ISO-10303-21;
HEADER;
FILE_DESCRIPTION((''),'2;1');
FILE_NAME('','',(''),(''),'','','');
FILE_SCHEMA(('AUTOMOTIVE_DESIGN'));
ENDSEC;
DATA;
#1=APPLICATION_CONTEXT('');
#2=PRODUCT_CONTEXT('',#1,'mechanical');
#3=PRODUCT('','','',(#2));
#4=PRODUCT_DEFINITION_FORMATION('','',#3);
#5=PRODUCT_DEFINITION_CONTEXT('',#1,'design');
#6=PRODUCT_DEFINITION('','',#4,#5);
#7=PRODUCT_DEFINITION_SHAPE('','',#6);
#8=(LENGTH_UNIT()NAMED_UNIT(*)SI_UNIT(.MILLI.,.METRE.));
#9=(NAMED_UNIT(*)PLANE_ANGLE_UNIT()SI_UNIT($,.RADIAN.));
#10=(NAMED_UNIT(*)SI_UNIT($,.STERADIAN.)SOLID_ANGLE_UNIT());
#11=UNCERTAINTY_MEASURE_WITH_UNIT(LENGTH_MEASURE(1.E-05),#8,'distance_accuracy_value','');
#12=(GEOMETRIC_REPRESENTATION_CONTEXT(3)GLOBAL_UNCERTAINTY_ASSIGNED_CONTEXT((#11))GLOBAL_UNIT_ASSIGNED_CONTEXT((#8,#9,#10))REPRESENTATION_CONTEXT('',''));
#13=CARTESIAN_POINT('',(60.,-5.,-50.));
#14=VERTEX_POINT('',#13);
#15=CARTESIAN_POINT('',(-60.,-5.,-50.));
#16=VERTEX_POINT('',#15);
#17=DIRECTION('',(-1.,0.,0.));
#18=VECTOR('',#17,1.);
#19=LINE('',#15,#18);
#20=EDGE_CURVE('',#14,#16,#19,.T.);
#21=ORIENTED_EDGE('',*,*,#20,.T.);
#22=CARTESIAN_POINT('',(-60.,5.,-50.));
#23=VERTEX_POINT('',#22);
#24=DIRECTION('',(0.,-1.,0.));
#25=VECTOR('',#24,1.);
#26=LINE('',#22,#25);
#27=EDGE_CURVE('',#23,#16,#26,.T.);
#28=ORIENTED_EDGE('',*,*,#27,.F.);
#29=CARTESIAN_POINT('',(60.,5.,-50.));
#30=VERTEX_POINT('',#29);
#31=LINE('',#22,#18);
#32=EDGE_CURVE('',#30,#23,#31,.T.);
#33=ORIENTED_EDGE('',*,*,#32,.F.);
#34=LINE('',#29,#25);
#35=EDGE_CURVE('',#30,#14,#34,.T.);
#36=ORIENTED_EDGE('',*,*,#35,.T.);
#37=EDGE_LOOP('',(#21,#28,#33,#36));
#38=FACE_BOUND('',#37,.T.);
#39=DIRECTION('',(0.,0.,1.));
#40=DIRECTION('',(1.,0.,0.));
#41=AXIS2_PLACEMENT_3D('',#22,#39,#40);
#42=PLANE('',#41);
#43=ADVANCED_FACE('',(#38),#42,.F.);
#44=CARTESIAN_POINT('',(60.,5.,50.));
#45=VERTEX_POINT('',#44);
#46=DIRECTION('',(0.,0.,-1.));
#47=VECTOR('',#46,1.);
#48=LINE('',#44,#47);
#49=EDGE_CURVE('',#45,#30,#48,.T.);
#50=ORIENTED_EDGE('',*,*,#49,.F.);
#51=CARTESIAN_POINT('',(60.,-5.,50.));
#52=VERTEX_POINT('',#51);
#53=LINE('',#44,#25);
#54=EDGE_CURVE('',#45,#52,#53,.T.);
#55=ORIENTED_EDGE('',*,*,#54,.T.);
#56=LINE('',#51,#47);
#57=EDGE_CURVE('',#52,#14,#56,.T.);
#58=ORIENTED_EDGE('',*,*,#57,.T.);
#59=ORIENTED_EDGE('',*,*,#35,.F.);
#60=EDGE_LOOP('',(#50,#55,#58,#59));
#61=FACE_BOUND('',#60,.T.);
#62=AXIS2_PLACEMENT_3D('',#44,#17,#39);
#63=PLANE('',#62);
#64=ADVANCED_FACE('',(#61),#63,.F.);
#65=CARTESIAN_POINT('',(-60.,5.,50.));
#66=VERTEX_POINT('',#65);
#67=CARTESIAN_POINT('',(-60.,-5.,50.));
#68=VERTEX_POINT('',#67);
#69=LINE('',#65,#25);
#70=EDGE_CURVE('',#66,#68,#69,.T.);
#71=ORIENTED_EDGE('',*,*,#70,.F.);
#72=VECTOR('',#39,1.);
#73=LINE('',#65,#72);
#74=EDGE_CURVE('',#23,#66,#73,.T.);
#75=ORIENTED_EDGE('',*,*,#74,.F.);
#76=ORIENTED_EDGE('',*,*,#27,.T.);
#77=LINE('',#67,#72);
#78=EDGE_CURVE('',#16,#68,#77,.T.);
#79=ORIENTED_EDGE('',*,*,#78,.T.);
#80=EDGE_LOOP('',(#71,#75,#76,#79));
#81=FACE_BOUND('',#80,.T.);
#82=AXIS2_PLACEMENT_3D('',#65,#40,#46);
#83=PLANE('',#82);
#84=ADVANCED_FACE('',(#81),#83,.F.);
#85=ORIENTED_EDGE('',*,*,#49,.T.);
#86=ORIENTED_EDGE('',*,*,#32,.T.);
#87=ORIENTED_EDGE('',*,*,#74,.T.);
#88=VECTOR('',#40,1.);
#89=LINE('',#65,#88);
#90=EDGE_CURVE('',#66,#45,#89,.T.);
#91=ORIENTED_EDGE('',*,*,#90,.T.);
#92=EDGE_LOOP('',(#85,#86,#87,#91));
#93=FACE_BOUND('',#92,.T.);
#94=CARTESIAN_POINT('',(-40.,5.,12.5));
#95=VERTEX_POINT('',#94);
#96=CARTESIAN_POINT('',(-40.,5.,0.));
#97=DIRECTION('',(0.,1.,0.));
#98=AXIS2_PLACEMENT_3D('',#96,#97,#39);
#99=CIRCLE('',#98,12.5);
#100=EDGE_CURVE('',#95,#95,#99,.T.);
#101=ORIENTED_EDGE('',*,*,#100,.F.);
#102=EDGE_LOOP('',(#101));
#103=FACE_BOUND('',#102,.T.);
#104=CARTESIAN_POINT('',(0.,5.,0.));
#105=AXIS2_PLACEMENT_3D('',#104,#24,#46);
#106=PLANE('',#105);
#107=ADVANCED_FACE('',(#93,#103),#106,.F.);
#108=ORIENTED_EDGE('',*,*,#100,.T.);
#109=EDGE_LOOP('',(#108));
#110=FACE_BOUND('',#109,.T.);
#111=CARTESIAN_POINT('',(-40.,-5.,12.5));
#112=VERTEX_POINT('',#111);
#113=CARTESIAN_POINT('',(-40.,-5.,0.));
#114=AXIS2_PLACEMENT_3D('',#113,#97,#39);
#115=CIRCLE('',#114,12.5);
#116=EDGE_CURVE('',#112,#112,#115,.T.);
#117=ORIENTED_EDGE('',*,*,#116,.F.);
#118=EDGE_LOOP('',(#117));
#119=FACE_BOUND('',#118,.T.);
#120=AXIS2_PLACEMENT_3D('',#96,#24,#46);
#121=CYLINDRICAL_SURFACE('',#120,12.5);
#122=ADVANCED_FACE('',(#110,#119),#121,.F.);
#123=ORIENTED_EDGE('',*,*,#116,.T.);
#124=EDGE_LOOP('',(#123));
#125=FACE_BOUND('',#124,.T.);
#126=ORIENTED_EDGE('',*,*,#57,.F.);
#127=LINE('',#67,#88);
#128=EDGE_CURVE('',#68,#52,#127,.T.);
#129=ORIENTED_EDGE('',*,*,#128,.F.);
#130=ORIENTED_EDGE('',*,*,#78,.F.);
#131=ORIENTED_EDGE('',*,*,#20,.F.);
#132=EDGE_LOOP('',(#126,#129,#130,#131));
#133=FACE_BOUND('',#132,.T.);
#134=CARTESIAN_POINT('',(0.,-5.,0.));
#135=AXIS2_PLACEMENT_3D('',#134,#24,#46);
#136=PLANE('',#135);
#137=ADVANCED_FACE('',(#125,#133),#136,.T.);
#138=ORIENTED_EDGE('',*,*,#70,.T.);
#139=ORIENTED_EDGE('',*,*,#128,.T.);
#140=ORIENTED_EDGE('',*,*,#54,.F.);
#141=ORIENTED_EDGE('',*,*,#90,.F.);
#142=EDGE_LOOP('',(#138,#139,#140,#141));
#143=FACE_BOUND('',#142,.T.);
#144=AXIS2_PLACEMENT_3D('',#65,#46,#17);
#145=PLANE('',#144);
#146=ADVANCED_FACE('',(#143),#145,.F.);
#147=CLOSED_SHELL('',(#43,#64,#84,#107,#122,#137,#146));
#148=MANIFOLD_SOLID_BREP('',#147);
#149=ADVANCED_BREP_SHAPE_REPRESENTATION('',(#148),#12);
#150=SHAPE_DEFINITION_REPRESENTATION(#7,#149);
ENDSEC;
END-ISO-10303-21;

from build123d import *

# Parameters (mm, degrees)
SKETCH1_W           = 120
SKETCH1_H           = 100
SKETCH1_R           = 12.5
BOSS_EXTRUDE1_DEPTH = 5


with BuildPart() as part:
    # Sketch1 → Boss-Extrude1 (new, symmetric)
    with BuildSketch(Plane(origin=(0, 0, 0), x_dir=(1, 0, 0), z_dir=(0, 1, 0))):
        Rectangle(SKETCH1_W, SKETCH1_H)
        with Locations(Location((-40, 0, 0), (0, 0, 270))):
            Circle(SKETCH1_R, mode=Mode.SUBTRACT)
    extrude(amount=BOSS_EXTRUDE1_DEPTH, both=True)


solid = part.part
